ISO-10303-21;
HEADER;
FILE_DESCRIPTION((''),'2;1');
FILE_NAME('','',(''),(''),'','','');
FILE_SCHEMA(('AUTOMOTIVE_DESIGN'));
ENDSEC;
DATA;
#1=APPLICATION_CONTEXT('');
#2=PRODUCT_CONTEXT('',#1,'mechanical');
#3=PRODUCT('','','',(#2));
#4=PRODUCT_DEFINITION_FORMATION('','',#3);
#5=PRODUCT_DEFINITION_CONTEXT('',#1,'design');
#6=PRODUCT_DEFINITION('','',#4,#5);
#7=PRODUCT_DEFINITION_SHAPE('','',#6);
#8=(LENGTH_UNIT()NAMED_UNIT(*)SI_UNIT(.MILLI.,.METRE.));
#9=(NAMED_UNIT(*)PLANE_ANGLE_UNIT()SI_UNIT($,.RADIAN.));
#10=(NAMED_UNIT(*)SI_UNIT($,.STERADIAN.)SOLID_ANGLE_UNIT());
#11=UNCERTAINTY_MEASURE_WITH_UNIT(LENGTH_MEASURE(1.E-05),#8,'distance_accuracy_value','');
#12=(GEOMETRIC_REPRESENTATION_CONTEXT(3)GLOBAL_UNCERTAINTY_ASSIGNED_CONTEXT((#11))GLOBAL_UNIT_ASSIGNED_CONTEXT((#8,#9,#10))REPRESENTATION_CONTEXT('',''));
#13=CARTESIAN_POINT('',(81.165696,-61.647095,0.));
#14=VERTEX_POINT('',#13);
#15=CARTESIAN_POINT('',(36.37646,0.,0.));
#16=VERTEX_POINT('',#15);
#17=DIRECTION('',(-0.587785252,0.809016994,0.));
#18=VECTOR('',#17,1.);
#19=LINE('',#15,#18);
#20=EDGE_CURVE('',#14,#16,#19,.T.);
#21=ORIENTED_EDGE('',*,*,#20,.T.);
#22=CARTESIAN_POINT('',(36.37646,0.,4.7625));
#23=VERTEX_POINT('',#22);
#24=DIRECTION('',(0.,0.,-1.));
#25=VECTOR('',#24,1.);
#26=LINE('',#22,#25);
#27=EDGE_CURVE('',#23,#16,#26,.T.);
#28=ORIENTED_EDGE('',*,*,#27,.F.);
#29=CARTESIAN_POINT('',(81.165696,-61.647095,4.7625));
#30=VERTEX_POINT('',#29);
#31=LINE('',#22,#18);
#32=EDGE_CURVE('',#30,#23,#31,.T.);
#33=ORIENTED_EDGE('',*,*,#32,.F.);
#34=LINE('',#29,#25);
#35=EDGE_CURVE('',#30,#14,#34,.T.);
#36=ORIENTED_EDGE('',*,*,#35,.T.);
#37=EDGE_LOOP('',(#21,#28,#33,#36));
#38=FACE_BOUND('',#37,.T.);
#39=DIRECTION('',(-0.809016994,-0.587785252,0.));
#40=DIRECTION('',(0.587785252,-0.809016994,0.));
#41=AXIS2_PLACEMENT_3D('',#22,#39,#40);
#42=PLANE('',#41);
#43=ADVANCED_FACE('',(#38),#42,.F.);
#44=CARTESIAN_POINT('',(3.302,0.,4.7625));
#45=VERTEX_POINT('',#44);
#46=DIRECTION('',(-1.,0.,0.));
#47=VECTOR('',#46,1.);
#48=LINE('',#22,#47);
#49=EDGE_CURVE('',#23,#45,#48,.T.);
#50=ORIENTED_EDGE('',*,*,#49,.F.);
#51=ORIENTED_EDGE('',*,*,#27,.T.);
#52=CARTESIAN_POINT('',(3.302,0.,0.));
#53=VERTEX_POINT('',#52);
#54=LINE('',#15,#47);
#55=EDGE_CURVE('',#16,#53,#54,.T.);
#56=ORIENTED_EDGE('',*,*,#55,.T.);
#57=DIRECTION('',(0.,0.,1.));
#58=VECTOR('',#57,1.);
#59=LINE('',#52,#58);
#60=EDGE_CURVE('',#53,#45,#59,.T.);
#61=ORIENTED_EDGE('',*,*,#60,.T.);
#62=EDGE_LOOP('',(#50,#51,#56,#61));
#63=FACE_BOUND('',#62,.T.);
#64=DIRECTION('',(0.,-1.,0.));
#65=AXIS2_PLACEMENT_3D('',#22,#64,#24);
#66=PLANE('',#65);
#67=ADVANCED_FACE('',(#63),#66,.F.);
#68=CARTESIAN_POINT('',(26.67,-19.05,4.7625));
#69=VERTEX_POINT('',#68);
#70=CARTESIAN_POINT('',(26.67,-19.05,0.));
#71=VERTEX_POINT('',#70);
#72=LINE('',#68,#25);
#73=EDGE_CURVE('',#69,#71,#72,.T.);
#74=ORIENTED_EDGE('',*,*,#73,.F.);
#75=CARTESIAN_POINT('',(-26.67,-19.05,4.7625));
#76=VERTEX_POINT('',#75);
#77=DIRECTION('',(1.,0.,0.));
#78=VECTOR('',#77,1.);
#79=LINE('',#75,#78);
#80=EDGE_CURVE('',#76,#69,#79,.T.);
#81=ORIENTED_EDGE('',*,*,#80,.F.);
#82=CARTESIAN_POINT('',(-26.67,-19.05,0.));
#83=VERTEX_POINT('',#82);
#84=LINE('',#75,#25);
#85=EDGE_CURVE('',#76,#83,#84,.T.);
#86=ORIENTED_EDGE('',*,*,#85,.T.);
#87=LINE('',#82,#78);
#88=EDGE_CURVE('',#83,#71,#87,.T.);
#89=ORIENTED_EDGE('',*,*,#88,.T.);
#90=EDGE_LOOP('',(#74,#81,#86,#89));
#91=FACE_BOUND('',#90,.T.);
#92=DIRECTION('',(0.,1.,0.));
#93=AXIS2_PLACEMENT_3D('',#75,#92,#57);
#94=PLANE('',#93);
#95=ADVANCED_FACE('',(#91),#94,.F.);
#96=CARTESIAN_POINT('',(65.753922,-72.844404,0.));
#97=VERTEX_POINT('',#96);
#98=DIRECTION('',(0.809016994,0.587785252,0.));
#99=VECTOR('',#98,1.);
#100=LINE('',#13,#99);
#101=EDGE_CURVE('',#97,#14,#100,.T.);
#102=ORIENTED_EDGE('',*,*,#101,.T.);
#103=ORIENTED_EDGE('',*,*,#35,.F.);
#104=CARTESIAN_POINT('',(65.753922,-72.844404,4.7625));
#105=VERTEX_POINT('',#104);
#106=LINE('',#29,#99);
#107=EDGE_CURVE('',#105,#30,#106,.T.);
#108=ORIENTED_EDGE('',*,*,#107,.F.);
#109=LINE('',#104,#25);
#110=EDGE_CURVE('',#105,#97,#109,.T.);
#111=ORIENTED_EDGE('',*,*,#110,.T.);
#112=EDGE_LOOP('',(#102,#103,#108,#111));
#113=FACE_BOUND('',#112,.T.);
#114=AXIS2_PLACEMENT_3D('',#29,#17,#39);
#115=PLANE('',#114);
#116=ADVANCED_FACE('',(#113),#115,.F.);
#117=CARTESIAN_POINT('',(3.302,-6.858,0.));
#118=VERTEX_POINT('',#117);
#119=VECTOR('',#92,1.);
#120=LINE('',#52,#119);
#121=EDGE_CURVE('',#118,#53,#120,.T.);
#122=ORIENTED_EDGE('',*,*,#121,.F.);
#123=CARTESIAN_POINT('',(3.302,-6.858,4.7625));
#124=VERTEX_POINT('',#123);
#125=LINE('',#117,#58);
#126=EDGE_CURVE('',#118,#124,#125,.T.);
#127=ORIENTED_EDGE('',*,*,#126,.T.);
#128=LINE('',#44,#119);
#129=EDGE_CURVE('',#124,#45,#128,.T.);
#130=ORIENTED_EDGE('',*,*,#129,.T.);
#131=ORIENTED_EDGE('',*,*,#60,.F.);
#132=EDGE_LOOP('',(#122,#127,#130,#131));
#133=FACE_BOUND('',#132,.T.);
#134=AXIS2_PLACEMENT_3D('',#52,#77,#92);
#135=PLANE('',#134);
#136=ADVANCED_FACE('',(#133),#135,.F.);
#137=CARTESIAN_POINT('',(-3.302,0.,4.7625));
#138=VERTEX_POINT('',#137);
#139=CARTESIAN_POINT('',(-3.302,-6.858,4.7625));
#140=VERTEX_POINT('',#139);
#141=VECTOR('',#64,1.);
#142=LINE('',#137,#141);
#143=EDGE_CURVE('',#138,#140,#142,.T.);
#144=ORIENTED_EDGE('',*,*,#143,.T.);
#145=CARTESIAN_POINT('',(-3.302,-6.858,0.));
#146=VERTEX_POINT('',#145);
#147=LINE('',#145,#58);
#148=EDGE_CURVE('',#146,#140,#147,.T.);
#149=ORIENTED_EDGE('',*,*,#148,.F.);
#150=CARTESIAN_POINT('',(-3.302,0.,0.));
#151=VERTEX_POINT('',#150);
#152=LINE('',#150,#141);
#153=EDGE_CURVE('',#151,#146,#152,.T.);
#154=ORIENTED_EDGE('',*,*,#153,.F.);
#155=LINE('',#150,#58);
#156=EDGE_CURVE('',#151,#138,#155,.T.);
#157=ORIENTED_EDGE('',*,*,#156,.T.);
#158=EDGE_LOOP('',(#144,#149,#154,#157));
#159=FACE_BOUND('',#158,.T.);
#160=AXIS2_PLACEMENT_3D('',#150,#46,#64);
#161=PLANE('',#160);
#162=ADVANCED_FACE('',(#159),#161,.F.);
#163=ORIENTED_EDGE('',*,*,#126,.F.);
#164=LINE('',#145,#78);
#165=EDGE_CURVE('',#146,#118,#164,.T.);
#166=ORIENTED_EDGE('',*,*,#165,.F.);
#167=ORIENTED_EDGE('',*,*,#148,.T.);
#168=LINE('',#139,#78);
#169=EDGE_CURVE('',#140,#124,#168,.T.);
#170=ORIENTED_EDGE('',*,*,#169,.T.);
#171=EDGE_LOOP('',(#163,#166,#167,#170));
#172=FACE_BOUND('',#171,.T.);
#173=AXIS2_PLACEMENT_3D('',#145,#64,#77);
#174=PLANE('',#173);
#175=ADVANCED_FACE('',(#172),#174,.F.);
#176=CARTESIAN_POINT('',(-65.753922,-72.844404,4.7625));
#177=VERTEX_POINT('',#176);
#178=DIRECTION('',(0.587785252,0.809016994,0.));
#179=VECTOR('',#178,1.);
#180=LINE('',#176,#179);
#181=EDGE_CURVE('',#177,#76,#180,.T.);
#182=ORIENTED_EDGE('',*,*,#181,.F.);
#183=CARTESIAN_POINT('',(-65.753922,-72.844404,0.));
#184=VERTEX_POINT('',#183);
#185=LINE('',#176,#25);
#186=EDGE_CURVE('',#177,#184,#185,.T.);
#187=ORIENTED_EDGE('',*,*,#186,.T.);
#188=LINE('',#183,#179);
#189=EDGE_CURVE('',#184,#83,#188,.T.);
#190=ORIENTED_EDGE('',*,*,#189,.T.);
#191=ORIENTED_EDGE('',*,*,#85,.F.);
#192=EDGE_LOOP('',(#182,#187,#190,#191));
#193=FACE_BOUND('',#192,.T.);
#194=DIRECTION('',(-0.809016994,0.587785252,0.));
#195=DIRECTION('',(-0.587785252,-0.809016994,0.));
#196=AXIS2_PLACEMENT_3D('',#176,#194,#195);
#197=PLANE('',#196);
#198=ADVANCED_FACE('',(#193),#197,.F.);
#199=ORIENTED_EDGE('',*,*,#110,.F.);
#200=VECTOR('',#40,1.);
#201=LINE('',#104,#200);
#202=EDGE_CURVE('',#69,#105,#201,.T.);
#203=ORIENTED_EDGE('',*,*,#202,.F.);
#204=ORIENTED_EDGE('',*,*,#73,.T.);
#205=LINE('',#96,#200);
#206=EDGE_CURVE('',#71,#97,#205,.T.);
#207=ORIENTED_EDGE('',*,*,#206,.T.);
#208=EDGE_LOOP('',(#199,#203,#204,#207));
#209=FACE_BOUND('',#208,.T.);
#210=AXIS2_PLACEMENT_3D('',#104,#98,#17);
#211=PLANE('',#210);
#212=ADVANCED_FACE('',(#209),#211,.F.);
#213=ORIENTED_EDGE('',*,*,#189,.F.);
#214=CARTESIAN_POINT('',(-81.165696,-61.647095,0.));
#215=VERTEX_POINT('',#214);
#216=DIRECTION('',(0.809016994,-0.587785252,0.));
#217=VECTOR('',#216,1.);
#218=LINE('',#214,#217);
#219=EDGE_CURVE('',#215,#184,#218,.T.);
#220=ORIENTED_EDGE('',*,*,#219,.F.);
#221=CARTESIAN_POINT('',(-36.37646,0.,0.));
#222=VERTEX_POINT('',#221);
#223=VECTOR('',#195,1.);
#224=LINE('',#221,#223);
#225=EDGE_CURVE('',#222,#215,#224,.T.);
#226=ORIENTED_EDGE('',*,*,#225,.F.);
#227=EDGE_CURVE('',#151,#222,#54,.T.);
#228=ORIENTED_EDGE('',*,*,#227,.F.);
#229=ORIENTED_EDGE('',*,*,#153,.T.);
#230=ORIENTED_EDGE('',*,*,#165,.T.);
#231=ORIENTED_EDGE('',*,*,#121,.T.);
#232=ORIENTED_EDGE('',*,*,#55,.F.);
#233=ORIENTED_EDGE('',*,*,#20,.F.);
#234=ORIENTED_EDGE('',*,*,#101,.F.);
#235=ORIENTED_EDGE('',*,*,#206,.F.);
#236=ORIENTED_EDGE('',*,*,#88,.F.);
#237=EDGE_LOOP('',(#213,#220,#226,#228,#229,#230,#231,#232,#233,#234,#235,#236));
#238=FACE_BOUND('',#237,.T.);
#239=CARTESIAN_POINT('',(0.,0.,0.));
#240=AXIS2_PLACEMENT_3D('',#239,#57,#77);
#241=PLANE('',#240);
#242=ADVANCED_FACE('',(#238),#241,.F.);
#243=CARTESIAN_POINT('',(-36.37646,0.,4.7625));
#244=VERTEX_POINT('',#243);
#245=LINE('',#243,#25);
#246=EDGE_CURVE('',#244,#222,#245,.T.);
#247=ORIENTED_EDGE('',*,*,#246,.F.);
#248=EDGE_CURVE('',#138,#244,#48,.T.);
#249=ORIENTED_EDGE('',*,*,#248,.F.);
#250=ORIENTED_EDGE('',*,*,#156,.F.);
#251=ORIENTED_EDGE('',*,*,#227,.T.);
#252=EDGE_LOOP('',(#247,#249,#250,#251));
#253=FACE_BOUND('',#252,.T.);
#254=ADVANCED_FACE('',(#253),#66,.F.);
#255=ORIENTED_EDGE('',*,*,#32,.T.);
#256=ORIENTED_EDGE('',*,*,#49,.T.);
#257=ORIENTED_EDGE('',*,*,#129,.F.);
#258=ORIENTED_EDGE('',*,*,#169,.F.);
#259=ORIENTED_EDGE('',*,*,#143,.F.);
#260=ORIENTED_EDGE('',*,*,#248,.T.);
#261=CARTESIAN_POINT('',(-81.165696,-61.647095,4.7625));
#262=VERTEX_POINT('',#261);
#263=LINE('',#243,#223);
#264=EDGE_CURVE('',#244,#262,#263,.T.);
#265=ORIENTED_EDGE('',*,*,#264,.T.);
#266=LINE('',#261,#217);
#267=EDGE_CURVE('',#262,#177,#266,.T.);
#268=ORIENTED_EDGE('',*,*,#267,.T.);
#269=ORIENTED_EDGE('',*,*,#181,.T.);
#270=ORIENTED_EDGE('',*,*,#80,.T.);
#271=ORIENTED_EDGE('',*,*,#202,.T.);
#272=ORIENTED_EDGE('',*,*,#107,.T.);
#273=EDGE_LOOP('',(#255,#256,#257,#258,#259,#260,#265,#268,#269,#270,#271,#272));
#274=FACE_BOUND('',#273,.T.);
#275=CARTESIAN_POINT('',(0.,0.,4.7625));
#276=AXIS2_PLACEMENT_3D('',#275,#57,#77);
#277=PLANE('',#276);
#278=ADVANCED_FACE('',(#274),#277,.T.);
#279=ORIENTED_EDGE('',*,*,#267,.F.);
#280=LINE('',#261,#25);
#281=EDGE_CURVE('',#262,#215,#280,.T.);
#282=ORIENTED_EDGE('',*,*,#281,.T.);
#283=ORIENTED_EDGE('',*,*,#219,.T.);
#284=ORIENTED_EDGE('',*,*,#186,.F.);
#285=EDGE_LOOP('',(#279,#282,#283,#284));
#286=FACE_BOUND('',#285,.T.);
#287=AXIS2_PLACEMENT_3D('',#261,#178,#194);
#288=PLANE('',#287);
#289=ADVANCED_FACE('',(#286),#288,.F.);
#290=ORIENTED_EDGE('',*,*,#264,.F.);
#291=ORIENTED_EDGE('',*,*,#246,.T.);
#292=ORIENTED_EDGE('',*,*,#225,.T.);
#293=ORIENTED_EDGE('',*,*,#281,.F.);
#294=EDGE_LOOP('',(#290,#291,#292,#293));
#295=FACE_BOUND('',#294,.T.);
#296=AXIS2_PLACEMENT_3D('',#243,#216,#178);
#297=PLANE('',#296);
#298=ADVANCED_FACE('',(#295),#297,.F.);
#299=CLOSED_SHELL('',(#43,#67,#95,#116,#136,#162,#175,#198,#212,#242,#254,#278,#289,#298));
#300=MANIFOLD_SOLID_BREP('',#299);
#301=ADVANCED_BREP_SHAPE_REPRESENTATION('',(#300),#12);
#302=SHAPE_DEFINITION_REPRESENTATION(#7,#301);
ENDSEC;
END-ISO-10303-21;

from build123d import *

# Parameters (mm, degrees)
BOSS_EXTRUDE1_DEPTH = 4.7625
SKETCH2_W           = 6.604
SKETCH2_H           = 6.858
CUT_EXTRUDE1_DEPTH  = 110.164366062


with BuildPart() as part:
    # Sketch1 → Boss-Extrude1 (new body)
    with BuildSketch(Plane.XY):
        Polygon((36.376459813, 0), (-36.376459813, 0), (-81.165696038, -61.647094971), (-65.753922295, -72.844404028), (-26.67, -19.05), (26.67, -19.05), (65.753922295, -72.844404028), (81.165696038, -61.647094971), align=None)
    extrude(amount=BOSS_EXTRUDE1_DEPTH)

    # Sketch2 → Cut-Extrude1 (cut, through all)
    with BuildSketch(Plane.XY.offset(4.7625)):
        with Locations((0, -3.429)):
            Rectangle(SKETCH2_W, SKETCH2_H)
    extrude(amount=-CUT_EXTRUDE1_DEPTH, mode=Mode.SUBTRACT)


solid = part.part
